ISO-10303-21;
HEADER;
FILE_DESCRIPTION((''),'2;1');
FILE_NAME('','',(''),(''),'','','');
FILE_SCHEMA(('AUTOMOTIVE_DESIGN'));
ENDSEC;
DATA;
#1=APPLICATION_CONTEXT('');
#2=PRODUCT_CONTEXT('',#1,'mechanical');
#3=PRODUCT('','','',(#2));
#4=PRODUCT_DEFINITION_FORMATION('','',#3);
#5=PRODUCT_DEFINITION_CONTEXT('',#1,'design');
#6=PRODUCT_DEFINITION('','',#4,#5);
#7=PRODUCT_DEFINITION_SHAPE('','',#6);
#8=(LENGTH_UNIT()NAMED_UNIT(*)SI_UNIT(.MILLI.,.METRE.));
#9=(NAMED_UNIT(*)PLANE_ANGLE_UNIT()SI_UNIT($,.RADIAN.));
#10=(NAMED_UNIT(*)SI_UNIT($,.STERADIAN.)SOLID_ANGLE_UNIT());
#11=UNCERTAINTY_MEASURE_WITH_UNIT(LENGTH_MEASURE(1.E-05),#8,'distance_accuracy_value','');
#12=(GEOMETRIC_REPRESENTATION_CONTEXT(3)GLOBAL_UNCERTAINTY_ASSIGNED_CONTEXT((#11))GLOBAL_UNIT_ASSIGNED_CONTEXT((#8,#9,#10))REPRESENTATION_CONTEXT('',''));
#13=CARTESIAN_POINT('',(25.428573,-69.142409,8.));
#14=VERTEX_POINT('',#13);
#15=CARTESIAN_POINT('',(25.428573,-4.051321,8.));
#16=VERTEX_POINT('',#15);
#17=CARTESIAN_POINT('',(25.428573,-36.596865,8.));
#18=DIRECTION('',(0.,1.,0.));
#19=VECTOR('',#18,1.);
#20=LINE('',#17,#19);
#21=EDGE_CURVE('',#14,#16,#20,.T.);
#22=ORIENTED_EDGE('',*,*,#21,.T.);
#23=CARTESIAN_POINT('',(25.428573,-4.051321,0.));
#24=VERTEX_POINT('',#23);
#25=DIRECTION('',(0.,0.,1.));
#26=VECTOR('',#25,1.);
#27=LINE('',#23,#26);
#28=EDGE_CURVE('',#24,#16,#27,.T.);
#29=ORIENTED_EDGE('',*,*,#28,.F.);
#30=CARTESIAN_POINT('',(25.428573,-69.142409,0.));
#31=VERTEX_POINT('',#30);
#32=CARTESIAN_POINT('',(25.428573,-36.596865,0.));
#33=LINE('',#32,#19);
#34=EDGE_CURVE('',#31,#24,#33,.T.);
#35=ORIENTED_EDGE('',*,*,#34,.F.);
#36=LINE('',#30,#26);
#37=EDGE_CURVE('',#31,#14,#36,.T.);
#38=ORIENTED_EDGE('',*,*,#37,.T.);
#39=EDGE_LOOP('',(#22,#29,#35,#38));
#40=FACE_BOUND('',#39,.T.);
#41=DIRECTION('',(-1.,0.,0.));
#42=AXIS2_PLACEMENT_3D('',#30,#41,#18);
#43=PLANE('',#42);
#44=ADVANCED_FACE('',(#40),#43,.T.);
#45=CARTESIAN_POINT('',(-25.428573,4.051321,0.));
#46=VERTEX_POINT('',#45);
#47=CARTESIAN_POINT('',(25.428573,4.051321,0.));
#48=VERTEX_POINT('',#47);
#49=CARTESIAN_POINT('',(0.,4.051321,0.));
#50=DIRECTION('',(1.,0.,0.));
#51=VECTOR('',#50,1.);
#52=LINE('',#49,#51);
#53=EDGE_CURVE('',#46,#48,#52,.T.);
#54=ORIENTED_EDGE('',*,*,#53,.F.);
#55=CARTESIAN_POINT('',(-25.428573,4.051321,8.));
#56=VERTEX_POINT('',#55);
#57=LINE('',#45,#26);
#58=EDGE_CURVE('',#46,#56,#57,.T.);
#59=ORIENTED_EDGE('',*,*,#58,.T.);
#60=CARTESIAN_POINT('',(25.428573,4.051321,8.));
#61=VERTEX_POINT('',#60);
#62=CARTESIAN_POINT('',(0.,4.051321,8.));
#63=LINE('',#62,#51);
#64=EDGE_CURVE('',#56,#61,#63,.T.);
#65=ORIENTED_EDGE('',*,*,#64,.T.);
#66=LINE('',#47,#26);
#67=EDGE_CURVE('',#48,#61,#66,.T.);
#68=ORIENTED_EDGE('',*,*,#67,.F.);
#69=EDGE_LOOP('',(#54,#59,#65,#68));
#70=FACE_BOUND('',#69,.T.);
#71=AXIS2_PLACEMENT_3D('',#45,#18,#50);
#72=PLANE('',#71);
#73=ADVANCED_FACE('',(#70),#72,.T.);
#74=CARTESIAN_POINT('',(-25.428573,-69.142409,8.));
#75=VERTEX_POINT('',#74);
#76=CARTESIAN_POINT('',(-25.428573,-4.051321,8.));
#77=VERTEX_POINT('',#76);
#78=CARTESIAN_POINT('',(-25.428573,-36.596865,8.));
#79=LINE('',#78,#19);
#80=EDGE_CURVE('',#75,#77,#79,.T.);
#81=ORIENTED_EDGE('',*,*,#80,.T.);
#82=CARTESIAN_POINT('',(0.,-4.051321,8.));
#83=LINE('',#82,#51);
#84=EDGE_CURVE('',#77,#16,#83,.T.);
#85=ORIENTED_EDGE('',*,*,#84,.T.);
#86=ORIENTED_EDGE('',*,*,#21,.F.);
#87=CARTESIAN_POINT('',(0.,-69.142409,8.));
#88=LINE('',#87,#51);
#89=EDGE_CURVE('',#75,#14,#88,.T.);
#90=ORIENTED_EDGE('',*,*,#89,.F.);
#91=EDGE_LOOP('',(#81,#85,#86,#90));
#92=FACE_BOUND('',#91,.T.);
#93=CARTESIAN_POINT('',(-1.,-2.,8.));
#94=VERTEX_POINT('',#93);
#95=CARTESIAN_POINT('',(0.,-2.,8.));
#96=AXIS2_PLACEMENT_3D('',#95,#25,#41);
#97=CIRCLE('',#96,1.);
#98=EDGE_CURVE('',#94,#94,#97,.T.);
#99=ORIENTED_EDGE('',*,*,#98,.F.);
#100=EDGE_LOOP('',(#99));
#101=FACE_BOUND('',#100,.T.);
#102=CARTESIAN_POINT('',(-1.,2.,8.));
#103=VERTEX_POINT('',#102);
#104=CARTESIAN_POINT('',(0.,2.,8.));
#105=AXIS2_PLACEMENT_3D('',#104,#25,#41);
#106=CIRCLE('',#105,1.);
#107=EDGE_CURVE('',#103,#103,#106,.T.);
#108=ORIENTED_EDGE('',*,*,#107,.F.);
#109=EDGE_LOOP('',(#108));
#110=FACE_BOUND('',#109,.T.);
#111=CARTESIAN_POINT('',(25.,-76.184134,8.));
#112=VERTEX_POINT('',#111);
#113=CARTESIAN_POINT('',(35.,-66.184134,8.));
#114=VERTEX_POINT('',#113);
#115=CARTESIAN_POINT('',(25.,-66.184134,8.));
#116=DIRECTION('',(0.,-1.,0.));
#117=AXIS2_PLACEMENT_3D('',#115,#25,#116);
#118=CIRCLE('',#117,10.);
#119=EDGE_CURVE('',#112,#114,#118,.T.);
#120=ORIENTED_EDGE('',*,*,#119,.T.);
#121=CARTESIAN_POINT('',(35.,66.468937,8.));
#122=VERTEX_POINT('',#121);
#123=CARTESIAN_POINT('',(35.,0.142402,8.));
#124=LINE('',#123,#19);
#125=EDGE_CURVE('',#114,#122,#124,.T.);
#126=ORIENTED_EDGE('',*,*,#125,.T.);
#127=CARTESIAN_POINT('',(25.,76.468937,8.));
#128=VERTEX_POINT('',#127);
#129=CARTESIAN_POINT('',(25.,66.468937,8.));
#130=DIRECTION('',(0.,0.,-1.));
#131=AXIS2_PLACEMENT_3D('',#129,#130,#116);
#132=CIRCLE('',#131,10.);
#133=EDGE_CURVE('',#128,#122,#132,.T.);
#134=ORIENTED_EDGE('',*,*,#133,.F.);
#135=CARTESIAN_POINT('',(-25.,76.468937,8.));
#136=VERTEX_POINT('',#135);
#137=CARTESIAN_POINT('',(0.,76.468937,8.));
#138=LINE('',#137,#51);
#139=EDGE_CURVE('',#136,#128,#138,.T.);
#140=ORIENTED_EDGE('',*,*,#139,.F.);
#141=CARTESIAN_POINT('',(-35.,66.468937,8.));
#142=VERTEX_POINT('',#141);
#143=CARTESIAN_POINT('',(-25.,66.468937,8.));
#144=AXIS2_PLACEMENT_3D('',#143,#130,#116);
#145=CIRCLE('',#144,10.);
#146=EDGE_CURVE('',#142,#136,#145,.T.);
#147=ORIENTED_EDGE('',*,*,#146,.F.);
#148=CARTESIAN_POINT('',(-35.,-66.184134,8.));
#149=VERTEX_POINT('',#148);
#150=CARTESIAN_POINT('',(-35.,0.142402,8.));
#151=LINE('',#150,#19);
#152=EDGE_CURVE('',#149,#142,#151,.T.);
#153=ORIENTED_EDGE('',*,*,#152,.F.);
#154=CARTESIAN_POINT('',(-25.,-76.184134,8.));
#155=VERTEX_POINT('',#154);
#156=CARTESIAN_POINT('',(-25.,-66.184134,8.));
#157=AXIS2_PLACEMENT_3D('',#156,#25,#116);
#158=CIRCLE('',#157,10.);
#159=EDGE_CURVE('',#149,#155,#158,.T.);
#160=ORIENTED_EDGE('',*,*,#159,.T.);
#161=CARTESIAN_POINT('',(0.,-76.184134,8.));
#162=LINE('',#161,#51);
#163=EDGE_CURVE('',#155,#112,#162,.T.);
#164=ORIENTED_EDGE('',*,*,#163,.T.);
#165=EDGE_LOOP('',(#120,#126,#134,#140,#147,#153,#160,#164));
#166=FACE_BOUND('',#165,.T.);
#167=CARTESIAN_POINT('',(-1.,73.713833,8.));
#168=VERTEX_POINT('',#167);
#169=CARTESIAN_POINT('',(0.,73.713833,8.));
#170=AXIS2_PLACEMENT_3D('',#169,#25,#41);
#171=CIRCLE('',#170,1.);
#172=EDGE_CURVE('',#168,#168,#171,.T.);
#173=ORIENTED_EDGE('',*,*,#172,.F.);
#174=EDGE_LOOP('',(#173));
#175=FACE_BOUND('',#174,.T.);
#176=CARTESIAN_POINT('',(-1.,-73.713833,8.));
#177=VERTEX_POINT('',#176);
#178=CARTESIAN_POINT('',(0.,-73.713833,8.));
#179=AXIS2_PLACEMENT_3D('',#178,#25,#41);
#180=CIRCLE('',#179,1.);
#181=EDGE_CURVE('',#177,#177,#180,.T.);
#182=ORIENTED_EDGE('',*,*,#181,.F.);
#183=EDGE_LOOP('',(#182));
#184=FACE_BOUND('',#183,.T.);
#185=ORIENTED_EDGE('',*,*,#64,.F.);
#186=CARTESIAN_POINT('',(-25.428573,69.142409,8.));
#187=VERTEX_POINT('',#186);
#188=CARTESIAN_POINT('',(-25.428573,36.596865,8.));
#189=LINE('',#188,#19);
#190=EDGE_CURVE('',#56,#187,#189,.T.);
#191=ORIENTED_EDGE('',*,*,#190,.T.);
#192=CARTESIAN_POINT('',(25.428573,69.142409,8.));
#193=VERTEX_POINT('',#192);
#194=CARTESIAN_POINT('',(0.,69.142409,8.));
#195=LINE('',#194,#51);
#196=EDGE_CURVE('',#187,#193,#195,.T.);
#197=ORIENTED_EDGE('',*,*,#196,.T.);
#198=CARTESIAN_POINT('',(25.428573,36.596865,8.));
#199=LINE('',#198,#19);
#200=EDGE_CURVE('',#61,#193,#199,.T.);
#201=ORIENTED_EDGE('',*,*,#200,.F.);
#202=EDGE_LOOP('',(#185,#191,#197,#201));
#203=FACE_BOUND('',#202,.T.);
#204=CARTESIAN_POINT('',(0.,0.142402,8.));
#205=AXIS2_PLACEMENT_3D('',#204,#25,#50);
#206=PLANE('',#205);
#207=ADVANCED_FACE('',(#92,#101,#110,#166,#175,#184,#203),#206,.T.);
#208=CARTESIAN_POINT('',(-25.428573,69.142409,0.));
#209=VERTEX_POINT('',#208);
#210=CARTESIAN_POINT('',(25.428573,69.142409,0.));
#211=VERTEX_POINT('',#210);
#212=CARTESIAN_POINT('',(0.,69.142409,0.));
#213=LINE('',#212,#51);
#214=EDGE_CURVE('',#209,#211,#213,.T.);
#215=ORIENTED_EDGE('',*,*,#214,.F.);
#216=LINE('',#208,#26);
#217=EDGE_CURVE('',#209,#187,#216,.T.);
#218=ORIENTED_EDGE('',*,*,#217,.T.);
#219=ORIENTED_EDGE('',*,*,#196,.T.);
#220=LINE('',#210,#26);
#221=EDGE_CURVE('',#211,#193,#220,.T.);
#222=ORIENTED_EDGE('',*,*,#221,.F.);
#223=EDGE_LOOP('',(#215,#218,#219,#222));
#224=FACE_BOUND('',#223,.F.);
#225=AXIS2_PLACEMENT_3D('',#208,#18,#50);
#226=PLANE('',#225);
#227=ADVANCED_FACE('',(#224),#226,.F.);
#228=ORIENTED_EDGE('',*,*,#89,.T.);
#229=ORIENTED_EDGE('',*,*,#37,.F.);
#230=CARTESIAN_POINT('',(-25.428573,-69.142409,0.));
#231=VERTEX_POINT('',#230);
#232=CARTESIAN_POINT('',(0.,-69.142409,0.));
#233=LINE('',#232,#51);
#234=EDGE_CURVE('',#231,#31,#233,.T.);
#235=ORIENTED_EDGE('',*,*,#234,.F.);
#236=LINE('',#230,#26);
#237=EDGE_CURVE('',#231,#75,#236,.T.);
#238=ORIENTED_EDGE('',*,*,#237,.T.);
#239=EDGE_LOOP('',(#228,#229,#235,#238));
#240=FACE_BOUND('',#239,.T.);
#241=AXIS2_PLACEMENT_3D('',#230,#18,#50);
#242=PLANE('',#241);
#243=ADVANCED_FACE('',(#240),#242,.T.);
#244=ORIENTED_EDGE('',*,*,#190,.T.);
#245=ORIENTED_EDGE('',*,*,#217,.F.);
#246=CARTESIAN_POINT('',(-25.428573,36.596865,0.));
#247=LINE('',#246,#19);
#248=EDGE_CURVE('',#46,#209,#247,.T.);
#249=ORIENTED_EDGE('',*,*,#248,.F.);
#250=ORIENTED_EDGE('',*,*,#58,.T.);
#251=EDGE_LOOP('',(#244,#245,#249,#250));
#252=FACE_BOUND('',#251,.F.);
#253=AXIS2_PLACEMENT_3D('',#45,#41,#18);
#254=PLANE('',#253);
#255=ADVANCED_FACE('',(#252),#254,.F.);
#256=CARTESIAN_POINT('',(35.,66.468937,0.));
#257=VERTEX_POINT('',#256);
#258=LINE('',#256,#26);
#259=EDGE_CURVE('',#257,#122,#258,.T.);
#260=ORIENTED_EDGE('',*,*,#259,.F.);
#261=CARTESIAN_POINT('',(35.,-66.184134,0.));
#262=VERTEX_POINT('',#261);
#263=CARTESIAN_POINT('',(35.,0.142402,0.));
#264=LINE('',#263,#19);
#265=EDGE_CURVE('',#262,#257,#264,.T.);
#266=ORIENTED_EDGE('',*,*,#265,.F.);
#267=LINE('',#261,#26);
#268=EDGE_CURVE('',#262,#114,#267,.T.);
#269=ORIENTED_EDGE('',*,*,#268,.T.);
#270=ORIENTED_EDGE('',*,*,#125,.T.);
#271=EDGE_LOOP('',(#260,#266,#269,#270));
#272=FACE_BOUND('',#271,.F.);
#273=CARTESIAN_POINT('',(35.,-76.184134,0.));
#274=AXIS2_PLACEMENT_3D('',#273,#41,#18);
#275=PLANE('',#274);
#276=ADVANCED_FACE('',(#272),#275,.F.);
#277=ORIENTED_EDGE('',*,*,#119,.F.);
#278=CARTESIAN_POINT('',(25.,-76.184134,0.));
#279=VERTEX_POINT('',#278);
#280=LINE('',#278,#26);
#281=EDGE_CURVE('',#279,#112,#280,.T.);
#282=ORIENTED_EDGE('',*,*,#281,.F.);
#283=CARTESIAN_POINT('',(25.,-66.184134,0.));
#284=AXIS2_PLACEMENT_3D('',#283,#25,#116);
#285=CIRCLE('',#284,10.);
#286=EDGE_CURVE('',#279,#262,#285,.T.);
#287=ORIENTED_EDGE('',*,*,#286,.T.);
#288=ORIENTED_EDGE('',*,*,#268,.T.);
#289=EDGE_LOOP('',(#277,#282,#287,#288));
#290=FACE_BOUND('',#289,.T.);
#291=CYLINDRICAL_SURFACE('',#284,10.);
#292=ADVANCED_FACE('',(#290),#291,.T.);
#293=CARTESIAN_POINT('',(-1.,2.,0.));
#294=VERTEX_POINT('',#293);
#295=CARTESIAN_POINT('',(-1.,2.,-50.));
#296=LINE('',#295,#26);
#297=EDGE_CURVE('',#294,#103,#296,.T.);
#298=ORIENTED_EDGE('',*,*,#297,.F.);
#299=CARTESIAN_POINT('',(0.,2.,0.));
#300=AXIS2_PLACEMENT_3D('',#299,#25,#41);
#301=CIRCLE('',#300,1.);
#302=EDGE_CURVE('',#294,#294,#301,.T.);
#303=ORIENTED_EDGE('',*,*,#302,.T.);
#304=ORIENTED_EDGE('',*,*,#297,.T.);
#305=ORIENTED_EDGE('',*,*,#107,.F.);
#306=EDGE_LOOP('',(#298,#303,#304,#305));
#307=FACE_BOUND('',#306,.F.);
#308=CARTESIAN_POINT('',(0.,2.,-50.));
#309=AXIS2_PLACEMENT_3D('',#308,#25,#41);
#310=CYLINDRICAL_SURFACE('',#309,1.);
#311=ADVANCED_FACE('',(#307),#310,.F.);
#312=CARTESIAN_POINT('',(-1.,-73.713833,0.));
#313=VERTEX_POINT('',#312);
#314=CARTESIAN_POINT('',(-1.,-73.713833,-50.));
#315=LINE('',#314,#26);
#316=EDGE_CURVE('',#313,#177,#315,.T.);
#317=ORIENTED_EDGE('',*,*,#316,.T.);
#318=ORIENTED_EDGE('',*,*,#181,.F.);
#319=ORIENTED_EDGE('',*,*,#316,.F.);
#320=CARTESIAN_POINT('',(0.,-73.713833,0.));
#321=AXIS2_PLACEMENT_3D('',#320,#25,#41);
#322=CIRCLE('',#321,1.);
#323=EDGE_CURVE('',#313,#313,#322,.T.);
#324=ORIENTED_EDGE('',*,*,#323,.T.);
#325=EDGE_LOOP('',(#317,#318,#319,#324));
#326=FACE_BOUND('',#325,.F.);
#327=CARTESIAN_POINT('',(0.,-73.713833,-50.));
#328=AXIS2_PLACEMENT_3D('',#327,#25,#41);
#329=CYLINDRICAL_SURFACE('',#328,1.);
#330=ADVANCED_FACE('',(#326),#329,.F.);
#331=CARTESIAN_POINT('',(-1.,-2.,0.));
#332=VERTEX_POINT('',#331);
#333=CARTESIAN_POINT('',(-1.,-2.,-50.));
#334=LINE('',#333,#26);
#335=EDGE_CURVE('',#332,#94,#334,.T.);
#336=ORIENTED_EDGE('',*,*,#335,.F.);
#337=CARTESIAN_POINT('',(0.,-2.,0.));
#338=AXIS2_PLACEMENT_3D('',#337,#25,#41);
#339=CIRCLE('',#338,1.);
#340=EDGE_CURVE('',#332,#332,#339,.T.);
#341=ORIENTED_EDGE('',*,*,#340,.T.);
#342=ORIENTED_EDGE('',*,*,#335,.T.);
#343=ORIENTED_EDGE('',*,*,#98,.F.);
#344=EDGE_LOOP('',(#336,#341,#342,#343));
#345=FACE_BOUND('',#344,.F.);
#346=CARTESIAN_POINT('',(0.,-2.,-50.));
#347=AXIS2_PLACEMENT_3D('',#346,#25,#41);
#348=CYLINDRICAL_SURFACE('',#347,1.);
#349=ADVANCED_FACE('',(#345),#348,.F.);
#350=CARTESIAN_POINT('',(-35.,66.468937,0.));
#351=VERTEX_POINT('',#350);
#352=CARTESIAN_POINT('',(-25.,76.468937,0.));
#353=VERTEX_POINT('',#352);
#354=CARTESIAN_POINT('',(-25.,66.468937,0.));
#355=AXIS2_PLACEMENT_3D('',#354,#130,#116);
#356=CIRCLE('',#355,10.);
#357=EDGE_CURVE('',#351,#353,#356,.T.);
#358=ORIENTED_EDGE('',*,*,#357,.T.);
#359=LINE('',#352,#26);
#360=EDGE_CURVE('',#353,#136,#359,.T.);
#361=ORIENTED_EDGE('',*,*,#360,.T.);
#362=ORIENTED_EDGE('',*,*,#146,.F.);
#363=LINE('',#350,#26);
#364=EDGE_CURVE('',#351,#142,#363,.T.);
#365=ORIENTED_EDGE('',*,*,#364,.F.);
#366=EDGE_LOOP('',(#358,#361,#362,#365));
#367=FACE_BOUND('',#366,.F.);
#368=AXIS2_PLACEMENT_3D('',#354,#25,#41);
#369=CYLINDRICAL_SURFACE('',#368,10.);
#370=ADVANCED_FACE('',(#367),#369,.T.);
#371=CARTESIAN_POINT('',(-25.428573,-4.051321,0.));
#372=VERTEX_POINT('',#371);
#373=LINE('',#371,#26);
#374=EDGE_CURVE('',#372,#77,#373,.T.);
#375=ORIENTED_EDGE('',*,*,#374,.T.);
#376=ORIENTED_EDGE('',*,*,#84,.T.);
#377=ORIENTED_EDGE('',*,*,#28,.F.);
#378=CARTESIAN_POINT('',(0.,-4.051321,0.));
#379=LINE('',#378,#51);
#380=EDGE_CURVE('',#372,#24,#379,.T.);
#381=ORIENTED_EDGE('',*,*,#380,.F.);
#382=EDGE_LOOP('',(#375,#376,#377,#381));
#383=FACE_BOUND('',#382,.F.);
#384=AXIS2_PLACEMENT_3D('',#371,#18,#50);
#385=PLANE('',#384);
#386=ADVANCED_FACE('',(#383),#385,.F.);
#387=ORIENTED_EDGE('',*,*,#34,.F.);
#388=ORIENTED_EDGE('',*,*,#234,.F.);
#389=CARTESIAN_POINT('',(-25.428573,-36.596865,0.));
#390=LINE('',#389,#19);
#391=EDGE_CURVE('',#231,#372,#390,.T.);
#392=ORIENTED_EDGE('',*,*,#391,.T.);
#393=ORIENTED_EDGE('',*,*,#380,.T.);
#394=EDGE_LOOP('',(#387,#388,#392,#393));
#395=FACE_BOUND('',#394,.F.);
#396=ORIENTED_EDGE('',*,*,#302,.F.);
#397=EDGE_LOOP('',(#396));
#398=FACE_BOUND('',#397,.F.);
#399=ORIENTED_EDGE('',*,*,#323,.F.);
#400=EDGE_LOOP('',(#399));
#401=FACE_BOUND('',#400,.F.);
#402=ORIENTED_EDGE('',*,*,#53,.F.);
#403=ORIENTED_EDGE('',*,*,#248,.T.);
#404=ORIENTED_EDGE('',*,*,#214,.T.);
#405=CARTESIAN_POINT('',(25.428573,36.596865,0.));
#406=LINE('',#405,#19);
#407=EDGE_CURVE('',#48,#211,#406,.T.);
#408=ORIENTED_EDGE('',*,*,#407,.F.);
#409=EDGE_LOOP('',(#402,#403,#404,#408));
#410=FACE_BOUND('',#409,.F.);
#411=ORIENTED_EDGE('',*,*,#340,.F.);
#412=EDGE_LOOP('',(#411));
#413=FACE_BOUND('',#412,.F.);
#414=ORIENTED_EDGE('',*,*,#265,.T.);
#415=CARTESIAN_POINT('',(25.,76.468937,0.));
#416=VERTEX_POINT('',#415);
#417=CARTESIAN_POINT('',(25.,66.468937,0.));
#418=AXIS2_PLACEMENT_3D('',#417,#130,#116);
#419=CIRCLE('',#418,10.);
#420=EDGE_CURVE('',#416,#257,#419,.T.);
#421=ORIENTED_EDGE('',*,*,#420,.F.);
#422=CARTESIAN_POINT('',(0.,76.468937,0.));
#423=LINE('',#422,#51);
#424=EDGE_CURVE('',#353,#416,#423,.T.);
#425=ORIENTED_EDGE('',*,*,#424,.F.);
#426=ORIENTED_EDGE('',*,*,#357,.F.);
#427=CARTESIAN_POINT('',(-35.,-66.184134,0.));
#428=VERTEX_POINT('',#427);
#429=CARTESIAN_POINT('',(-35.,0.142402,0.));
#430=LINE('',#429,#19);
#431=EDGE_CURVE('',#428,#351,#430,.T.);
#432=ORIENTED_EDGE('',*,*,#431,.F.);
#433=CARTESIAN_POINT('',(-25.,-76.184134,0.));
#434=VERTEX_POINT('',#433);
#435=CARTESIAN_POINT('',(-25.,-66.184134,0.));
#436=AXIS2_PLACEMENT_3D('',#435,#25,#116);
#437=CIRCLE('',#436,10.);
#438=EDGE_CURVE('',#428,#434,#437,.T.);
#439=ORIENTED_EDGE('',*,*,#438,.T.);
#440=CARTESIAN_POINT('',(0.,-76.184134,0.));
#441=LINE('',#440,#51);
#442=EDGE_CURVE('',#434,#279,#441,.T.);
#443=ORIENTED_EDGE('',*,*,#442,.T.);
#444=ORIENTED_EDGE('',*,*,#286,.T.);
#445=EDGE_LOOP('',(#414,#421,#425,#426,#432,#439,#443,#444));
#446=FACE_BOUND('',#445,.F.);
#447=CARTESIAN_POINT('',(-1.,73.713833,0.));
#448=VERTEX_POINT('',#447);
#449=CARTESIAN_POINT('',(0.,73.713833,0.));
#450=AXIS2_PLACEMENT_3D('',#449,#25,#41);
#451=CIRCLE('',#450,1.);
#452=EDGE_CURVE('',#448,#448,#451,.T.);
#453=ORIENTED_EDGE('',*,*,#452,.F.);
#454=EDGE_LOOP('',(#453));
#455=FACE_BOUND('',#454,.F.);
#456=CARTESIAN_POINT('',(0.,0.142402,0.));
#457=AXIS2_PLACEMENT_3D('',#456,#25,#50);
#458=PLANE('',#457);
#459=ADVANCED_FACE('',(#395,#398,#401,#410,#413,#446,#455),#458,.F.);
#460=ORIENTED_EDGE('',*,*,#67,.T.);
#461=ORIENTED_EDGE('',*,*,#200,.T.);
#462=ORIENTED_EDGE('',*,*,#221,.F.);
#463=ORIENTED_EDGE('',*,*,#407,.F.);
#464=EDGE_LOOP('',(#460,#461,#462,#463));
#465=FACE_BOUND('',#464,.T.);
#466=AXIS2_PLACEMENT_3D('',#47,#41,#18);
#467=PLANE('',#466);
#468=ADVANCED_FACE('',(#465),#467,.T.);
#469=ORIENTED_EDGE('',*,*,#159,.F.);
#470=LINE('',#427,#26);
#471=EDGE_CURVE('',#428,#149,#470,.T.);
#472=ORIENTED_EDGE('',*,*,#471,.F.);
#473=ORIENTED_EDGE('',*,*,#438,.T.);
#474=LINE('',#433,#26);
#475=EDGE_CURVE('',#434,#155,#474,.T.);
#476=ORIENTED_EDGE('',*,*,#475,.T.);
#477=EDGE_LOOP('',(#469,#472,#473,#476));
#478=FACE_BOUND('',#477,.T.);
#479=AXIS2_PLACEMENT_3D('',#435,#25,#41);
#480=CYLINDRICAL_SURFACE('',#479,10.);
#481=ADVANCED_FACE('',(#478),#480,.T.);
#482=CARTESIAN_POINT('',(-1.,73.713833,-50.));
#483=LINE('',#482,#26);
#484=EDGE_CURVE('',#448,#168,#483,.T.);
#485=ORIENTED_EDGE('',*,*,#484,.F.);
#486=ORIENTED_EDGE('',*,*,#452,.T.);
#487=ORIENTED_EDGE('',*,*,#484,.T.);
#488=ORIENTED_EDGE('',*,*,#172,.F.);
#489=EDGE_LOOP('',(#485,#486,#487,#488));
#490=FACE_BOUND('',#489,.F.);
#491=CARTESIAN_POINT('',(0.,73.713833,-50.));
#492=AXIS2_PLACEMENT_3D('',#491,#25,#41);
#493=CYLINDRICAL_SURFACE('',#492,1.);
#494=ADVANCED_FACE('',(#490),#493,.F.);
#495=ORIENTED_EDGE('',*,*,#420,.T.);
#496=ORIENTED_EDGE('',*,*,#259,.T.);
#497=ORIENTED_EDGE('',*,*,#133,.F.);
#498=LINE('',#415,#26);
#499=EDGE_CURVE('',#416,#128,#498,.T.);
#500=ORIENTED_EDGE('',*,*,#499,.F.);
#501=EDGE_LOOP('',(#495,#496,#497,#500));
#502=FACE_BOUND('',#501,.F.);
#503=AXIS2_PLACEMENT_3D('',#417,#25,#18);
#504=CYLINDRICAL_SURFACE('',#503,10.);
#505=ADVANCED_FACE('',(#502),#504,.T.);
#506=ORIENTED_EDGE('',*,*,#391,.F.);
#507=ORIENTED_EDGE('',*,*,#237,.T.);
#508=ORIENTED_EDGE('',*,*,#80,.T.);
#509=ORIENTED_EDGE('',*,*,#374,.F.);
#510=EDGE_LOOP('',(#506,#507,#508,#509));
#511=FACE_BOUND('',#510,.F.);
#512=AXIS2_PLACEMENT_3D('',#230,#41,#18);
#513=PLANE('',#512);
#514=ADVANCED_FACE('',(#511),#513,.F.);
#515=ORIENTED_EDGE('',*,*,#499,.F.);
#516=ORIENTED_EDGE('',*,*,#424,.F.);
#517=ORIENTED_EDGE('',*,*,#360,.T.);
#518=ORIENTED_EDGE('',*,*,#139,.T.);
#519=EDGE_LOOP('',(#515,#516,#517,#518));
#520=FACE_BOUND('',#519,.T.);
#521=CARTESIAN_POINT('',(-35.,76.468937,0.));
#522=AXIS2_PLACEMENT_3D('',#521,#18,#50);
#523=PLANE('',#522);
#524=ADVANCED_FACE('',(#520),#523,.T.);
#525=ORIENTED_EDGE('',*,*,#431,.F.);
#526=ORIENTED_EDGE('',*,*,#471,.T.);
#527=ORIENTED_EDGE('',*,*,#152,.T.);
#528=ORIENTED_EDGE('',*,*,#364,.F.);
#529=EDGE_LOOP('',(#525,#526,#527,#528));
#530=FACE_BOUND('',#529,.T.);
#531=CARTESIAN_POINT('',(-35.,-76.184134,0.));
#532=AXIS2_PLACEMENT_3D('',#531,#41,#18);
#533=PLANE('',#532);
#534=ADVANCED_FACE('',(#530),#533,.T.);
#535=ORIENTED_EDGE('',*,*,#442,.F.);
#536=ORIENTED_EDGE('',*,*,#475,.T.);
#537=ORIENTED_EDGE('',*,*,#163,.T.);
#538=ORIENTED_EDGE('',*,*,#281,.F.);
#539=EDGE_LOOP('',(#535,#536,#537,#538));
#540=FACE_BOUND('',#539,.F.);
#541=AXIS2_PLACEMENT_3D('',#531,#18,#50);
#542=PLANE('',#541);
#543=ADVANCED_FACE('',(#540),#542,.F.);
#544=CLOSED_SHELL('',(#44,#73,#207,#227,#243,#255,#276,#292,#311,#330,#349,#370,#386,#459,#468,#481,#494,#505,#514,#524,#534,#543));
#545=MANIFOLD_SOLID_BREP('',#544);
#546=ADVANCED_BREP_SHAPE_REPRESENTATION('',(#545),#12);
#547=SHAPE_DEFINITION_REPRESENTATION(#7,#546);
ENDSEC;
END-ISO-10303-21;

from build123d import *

# Parameters (mm, degrees)
F0_W     = 70
F0_H     = 152.653071
F0_W_2   = 50.857146
F0_H_2   = 65.091088
F1_DEPTH = 8
F2_D     = 2
F2_DEPTH = 50
F3_R     = 10


with BuildPart() as f1:
    # F0 (on Top) → F1 (new body)
    with BuildSketch(Plane.XY):
        with Locations((0, 0.142402)):
            Rectangle(F0_W, F0_H)
        with Locations((0, -36.596865)):
            Rectangle(F0_W_2, F0_H_2, mode=Mode.SUBTRACT)
        with Locations((0, 36.596865)):
            Rectangle(F0_W_2, F0_H_2, mode=Mode.SUBTRACT)
    extrude(amount=F1_DEPTH)

    # F2
    with Locations(Plane(origin=(0, 0, 0), x_dir=(1, 0, 0), z_dir=(0, 0, -1))):
        with Locations((0, 2), (0, -2), (0, 73.713833), (0, -73.713833)):
            Hole(F2_D / 2, depth=F2_DEPTH)

    # F3
    f3_edges = [f1.edges().sort_by_distance(p)[0] for p in [
        (-35, 76.468938, 4),
        (35, 76.468938, 4),
        (-35, -76.184133, 4),
        (35, -76.184133, 4),
    ]]
    fillet(f3_edges, radius=F3_R)


solid = f1.part
